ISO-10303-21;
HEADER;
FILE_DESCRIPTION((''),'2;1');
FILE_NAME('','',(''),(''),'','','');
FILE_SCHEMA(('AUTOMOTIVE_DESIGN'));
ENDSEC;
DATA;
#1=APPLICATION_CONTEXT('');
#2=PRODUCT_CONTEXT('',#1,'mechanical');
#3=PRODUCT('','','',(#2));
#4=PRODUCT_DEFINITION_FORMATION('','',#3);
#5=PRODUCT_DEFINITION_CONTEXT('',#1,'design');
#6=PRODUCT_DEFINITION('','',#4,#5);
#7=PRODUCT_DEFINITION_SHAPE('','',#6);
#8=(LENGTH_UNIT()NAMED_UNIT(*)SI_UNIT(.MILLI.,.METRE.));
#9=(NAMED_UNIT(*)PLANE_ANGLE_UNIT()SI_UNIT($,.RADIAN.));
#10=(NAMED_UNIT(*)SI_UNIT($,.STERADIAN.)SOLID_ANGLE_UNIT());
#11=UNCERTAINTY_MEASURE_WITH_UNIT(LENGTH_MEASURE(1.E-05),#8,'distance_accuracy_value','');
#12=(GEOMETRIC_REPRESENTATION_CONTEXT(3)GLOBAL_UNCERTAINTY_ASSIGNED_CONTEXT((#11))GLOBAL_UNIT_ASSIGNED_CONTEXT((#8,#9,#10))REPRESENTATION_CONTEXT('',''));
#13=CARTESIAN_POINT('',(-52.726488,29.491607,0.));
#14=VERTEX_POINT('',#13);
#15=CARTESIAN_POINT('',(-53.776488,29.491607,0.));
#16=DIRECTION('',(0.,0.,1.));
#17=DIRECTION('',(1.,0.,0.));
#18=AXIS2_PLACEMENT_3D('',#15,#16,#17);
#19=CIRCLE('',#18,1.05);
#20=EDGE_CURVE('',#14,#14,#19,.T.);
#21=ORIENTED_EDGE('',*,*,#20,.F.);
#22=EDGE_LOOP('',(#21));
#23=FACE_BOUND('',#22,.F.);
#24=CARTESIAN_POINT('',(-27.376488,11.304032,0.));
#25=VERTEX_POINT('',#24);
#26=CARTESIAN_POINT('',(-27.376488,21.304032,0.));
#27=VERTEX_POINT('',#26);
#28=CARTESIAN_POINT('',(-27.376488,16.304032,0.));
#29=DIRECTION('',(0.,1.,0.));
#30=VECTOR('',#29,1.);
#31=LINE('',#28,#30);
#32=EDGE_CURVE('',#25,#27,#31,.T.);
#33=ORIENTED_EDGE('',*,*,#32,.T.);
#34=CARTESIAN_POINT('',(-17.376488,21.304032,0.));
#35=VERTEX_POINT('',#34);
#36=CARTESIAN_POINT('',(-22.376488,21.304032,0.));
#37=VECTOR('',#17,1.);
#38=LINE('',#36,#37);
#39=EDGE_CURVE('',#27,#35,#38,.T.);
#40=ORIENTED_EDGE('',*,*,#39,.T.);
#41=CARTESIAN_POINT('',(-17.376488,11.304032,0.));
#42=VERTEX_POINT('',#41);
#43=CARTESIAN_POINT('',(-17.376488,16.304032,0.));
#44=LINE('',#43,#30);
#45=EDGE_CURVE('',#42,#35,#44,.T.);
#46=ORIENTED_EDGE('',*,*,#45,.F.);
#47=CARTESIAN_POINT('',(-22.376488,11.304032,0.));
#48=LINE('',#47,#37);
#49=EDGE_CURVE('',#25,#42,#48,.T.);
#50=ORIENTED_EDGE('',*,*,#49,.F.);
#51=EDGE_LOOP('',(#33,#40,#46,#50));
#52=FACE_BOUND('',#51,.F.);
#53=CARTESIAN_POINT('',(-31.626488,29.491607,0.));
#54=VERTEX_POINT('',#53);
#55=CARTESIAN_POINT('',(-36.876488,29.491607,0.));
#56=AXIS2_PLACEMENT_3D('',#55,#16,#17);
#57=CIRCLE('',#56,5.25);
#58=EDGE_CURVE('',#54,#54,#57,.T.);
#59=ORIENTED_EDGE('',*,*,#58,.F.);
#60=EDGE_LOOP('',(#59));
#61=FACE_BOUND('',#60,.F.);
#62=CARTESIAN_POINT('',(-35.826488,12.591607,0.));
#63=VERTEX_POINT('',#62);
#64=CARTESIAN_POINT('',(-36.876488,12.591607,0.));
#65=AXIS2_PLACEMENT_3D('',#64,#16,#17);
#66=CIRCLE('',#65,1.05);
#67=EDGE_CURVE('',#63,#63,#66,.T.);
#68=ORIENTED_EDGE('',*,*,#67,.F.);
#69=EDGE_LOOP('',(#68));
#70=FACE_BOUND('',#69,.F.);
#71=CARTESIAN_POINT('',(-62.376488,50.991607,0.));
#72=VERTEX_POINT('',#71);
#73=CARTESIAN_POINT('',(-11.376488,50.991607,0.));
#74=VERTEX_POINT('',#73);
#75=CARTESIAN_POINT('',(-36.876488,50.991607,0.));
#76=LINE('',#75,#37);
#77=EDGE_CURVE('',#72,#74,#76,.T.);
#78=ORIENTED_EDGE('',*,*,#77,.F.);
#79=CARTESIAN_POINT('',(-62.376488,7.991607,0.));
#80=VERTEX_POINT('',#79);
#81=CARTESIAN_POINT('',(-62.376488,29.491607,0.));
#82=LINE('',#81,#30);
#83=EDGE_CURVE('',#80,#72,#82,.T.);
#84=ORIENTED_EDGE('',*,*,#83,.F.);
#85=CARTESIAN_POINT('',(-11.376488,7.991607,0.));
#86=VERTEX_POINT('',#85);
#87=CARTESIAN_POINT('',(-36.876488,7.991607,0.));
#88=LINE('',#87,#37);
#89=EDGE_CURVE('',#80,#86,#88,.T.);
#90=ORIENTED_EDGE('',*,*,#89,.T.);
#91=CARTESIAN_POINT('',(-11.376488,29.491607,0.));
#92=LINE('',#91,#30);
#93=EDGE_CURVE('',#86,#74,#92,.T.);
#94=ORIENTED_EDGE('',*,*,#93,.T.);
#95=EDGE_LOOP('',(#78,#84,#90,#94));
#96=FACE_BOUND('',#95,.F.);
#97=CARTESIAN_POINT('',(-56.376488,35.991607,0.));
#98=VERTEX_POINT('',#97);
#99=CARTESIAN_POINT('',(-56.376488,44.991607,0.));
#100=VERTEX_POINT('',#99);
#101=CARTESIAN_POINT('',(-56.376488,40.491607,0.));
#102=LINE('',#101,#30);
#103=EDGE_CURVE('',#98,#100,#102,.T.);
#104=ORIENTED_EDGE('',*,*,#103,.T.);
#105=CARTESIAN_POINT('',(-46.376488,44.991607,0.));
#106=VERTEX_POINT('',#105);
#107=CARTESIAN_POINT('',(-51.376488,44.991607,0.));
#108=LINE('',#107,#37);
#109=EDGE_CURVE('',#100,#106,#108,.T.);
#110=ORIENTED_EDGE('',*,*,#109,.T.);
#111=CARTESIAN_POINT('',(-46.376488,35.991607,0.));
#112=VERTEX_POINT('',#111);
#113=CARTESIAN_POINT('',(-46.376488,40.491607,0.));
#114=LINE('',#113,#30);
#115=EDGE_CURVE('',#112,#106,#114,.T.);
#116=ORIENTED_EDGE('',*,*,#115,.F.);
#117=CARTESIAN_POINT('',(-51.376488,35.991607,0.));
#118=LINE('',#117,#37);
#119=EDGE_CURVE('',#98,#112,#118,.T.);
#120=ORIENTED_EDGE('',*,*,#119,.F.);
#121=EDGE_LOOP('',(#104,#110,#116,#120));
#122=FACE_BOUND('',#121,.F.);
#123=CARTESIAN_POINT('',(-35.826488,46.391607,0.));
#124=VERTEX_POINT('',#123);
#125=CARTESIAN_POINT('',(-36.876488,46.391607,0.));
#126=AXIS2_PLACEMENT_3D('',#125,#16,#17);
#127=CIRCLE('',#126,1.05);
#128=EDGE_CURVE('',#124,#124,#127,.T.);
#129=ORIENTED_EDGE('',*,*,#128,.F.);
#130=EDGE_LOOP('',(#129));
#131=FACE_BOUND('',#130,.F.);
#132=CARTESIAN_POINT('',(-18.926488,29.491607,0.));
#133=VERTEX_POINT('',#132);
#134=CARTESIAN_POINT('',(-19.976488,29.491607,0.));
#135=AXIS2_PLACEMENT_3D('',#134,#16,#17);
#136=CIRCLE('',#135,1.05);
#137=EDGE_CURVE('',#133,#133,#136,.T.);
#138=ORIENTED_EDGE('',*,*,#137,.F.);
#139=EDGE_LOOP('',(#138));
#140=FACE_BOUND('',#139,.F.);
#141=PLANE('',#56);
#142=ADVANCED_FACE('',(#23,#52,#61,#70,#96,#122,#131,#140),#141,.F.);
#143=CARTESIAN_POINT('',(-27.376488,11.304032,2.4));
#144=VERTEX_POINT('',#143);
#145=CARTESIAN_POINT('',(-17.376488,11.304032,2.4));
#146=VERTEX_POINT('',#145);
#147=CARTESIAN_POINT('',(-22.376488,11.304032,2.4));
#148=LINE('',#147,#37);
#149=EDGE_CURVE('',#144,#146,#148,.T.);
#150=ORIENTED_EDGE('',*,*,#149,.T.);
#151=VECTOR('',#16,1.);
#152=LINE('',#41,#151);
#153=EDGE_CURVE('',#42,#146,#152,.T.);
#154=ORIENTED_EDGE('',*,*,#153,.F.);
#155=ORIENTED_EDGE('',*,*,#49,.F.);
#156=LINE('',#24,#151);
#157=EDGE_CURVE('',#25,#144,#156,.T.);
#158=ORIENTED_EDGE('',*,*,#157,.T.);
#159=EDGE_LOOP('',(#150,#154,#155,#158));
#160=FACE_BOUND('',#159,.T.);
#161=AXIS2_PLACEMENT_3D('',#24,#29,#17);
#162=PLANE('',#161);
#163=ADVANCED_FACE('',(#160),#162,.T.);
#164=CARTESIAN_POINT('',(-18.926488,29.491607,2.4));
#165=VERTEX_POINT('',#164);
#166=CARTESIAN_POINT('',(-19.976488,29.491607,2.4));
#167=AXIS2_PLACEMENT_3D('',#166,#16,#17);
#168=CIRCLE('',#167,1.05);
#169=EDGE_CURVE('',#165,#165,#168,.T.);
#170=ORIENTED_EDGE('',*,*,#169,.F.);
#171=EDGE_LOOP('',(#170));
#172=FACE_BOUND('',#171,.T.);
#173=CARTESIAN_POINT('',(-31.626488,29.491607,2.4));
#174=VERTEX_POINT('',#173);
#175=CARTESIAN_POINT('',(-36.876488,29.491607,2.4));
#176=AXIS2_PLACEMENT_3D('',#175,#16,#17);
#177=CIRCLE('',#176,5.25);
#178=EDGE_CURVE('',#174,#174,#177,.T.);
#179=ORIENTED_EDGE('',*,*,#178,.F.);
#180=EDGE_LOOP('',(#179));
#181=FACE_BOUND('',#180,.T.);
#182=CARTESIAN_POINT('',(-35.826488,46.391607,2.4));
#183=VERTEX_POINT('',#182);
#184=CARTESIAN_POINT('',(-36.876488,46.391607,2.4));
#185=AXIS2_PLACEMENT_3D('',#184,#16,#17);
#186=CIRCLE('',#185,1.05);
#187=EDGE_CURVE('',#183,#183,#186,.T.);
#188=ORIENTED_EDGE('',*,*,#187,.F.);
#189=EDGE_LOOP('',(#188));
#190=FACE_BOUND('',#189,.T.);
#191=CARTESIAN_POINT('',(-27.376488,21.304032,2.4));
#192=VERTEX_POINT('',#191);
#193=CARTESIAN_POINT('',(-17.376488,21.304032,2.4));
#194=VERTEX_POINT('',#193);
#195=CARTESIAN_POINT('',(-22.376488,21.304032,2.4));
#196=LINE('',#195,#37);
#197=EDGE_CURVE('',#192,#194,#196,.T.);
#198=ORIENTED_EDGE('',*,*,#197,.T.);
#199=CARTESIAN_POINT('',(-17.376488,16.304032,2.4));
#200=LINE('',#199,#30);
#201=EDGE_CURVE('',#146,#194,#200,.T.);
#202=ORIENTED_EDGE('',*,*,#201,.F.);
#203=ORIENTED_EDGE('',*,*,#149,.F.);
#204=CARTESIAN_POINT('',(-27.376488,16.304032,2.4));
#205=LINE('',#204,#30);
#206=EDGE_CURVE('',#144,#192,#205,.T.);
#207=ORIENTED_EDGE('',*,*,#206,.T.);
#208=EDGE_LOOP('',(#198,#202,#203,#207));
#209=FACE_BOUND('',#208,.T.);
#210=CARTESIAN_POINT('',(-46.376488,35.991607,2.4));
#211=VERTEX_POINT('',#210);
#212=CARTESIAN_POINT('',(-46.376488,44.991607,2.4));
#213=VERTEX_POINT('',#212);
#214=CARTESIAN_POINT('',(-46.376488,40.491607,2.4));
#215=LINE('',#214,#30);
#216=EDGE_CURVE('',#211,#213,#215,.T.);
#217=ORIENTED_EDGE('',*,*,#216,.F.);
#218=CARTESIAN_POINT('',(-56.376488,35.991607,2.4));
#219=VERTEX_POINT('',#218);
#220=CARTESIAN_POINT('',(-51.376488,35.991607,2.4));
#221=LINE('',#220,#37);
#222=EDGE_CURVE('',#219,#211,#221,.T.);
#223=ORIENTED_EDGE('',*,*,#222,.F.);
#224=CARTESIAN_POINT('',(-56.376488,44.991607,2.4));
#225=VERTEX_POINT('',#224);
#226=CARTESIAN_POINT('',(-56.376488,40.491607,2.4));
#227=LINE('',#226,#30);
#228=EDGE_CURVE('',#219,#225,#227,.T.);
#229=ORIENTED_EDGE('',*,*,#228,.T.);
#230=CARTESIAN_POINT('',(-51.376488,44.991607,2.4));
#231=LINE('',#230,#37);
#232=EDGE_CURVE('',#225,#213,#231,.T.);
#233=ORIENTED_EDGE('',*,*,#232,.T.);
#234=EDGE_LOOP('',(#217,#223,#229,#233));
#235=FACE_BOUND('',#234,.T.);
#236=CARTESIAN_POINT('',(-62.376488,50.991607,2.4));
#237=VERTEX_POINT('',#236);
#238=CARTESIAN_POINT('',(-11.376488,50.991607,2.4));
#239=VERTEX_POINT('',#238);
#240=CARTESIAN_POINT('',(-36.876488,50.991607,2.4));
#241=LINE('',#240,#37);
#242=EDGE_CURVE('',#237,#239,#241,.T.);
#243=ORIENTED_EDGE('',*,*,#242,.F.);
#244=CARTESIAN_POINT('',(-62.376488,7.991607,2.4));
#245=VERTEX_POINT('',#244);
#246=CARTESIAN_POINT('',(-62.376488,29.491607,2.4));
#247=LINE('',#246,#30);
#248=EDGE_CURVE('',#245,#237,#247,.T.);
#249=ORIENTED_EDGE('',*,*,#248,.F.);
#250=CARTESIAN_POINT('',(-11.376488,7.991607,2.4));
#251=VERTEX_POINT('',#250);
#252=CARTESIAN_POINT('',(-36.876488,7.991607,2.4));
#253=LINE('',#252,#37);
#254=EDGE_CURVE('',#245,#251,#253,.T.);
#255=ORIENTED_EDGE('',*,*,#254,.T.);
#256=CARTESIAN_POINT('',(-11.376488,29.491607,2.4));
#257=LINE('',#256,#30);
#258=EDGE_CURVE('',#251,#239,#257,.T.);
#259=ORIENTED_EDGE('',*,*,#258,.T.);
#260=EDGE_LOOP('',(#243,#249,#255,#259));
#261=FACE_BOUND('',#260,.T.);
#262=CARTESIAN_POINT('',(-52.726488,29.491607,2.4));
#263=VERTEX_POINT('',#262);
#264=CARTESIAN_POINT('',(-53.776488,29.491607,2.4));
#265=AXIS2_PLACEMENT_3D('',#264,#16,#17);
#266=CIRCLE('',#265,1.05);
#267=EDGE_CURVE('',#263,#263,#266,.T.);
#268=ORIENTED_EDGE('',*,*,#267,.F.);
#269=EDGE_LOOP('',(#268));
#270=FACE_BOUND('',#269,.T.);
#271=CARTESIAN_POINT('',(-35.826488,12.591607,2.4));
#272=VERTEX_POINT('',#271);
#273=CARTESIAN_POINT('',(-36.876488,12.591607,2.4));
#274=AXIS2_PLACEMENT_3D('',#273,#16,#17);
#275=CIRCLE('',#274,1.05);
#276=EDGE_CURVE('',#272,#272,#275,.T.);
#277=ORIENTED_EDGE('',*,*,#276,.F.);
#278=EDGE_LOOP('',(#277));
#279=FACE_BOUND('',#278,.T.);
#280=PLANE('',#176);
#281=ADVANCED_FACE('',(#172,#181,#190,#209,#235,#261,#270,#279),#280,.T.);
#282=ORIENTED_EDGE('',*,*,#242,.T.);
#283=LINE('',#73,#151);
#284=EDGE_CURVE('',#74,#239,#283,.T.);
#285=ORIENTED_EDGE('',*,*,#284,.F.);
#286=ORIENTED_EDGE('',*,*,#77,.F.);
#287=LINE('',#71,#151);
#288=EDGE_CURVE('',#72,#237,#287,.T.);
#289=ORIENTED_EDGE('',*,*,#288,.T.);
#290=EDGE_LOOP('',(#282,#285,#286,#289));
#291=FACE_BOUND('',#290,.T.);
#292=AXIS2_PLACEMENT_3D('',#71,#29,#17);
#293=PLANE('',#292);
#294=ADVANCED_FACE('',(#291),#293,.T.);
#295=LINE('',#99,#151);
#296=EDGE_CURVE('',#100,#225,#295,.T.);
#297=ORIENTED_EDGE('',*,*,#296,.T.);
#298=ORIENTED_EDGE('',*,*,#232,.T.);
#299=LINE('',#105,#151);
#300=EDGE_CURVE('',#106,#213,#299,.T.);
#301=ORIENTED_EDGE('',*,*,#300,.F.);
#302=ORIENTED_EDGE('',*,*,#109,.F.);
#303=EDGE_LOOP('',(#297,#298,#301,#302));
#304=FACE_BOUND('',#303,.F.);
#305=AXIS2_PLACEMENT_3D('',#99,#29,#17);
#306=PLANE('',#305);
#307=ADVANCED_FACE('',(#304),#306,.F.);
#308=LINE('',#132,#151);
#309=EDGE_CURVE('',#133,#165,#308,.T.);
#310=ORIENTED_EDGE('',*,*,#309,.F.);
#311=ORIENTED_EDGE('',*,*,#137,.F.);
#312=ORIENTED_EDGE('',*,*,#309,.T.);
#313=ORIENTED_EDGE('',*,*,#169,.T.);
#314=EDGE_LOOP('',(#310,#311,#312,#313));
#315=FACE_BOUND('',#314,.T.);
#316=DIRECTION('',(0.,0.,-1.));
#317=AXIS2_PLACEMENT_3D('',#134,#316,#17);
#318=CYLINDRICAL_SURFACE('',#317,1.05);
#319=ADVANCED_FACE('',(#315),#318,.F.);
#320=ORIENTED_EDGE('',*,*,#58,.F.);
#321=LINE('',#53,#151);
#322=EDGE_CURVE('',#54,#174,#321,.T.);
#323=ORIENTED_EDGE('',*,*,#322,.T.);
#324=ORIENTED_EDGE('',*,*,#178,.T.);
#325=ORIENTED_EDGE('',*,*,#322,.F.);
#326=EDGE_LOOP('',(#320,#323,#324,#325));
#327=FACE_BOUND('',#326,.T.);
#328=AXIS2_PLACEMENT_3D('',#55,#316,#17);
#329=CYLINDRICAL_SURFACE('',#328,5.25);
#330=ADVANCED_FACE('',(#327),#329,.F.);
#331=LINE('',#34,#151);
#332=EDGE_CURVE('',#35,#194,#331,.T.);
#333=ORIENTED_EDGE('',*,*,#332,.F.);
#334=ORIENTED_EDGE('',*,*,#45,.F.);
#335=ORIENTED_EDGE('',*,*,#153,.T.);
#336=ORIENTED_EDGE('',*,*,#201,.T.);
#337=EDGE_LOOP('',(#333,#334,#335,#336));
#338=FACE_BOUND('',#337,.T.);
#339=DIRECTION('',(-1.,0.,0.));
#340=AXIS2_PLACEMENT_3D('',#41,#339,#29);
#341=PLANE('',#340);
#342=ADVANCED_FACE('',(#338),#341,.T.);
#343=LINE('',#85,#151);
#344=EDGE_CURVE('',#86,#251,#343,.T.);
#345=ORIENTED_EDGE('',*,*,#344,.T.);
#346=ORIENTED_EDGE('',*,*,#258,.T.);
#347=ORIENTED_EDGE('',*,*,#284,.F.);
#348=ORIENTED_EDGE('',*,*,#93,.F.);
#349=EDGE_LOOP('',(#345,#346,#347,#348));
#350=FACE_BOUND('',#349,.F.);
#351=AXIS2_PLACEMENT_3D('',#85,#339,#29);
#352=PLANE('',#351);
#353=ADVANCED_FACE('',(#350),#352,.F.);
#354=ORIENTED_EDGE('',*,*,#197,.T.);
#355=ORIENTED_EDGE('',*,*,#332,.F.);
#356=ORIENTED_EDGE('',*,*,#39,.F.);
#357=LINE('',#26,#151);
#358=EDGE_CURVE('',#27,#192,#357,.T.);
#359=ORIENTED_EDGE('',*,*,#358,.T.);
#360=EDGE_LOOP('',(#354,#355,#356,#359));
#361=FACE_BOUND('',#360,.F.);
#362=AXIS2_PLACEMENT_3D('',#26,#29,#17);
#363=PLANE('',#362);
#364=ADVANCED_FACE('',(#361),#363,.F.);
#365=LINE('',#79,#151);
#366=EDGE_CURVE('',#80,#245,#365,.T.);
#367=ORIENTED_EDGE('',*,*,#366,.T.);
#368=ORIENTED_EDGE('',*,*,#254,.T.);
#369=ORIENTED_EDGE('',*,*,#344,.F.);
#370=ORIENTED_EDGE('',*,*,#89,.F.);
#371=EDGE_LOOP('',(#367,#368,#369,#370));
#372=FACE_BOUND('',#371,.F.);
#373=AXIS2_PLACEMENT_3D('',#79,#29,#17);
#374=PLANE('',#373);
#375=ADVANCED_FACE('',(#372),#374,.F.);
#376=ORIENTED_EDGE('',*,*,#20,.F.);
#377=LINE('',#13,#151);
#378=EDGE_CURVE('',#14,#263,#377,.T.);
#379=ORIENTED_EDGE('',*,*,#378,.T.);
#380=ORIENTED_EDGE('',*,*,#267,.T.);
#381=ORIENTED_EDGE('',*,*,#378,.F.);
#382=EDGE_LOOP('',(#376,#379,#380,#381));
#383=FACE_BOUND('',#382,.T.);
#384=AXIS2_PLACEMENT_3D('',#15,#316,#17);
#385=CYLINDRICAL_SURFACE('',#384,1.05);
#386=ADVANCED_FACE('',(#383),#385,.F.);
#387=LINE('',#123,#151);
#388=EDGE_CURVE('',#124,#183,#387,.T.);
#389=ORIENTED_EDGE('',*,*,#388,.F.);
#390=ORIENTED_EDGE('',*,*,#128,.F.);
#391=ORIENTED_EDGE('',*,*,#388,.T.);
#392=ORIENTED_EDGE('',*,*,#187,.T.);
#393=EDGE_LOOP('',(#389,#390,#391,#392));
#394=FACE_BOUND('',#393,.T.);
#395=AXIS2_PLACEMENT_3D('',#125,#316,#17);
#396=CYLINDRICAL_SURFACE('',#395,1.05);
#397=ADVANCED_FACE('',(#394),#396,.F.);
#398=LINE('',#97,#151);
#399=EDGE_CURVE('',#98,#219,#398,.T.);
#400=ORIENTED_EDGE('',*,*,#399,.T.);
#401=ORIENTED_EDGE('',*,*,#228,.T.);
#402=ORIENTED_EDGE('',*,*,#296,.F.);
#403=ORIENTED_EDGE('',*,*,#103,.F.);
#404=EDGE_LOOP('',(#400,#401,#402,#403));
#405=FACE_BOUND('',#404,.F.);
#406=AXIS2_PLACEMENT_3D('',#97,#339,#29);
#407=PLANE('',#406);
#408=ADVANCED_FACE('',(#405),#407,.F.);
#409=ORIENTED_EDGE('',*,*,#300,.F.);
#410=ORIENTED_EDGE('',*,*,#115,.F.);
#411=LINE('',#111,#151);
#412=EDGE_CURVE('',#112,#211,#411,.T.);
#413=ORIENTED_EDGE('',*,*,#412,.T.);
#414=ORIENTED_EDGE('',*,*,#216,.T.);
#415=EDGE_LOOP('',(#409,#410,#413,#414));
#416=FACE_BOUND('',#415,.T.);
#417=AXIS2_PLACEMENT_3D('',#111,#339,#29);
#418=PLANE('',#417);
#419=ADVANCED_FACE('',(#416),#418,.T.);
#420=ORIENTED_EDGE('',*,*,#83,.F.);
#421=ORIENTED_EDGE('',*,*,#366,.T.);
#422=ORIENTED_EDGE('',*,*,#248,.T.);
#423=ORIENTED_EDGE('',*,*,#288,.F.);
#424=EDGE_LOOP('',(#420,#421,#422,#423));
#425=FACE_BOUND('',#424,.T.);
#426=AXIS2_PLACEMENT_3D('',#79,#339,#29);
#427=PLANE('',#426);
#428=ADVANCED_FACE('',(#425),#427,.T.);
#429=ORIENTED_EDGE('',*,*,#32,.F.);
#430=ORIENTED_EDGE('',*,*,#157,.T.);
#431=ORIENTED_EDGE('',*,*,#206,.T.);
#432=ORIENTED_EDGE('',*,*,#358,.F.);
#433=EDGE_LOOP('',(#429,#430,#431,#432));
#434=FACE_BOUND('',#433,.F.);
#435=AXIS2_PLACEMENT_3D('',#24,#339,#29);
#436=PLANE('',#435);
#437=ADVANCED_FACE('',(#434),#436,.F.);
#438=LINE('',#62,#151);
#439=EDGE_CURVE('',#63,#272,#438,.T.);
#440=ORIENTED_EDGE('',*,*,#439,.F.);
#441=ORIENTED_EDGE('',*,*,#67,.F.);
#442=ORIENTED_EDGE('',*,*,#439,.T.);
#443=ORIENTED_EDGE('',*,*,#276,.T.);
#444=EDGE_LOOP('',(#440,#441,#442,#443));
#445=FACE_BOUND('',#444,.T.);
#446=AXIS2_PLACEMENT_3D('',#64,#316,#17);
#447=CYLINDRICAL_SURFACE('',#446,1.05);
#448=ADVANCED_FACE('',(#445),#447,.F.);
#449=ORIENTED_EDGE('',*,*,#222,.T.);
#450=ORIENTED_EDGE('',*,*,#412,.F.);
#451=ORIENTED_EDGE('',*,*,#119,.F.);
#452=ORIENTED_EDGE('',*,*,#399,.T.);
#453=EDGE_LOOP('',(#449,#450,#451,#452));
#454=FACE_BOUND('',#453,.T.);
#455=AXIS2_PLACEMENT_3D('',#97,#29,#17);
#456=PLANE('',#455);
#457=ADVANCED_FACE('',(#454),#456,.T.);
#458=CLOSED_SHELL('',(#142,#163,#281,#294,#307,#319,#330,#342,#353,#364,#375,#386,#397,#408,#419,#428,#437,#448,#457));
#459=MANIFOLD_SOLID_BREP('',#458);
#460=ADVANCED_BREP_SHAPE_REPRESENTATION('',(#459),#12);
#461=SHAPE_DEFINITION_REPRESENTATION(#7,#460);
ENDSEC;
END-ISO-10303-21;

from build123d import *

# Parameters (mm, degrees)
F0_W     = 51
F0_H     = 43
F0_R     = 1.05
F0_W_2   = 10
F0_H_2   = 10
F0_R_2   = 5.25
F0_H_3   = 9
F1_DEPTH = 2.4


with BuildPart() as f1:
    # F0 (on Top) → F1 (new body)
    with BuildSketch(Plane.XY):
        with Locations((-36.876488, 29.491607)):
            Rectangle(F0_W, F0_H)
        with Locations((-53.776488, 29.491607)):
            Circle(F0_R, mode=Mode.SUBTRACT)
        with Locations((-36.876488, 12.591607)):
            Circle(F0_R, mode=Mode.SUBTRACT)
        with Locations((-22.376488, 16.304032)):
            Rectangle(F0_W_2, F0_H_2, mode=Mode.SUBTRACT)
        with Locations((-36.876488, 29.491607)):
            Circle(F0_R_2, mode=Mode.SUBTRACT)
        with Locations((-19.976488, 29.491607)):
            Circle(F0_R, mode=Mode.SUBTRACT)
        with Locations((-51.376488, 40.491607)):
            Rectangle(F0_W_2, F0_H_3, mode=Mode.SUBTRACT)
        with Locations((-36.876488, 46.391607)):
            Circle(F0_R, mode=Mode.SUBTRACT)
    extrude(amount=F1_DEPTH)


solid = f1.part
